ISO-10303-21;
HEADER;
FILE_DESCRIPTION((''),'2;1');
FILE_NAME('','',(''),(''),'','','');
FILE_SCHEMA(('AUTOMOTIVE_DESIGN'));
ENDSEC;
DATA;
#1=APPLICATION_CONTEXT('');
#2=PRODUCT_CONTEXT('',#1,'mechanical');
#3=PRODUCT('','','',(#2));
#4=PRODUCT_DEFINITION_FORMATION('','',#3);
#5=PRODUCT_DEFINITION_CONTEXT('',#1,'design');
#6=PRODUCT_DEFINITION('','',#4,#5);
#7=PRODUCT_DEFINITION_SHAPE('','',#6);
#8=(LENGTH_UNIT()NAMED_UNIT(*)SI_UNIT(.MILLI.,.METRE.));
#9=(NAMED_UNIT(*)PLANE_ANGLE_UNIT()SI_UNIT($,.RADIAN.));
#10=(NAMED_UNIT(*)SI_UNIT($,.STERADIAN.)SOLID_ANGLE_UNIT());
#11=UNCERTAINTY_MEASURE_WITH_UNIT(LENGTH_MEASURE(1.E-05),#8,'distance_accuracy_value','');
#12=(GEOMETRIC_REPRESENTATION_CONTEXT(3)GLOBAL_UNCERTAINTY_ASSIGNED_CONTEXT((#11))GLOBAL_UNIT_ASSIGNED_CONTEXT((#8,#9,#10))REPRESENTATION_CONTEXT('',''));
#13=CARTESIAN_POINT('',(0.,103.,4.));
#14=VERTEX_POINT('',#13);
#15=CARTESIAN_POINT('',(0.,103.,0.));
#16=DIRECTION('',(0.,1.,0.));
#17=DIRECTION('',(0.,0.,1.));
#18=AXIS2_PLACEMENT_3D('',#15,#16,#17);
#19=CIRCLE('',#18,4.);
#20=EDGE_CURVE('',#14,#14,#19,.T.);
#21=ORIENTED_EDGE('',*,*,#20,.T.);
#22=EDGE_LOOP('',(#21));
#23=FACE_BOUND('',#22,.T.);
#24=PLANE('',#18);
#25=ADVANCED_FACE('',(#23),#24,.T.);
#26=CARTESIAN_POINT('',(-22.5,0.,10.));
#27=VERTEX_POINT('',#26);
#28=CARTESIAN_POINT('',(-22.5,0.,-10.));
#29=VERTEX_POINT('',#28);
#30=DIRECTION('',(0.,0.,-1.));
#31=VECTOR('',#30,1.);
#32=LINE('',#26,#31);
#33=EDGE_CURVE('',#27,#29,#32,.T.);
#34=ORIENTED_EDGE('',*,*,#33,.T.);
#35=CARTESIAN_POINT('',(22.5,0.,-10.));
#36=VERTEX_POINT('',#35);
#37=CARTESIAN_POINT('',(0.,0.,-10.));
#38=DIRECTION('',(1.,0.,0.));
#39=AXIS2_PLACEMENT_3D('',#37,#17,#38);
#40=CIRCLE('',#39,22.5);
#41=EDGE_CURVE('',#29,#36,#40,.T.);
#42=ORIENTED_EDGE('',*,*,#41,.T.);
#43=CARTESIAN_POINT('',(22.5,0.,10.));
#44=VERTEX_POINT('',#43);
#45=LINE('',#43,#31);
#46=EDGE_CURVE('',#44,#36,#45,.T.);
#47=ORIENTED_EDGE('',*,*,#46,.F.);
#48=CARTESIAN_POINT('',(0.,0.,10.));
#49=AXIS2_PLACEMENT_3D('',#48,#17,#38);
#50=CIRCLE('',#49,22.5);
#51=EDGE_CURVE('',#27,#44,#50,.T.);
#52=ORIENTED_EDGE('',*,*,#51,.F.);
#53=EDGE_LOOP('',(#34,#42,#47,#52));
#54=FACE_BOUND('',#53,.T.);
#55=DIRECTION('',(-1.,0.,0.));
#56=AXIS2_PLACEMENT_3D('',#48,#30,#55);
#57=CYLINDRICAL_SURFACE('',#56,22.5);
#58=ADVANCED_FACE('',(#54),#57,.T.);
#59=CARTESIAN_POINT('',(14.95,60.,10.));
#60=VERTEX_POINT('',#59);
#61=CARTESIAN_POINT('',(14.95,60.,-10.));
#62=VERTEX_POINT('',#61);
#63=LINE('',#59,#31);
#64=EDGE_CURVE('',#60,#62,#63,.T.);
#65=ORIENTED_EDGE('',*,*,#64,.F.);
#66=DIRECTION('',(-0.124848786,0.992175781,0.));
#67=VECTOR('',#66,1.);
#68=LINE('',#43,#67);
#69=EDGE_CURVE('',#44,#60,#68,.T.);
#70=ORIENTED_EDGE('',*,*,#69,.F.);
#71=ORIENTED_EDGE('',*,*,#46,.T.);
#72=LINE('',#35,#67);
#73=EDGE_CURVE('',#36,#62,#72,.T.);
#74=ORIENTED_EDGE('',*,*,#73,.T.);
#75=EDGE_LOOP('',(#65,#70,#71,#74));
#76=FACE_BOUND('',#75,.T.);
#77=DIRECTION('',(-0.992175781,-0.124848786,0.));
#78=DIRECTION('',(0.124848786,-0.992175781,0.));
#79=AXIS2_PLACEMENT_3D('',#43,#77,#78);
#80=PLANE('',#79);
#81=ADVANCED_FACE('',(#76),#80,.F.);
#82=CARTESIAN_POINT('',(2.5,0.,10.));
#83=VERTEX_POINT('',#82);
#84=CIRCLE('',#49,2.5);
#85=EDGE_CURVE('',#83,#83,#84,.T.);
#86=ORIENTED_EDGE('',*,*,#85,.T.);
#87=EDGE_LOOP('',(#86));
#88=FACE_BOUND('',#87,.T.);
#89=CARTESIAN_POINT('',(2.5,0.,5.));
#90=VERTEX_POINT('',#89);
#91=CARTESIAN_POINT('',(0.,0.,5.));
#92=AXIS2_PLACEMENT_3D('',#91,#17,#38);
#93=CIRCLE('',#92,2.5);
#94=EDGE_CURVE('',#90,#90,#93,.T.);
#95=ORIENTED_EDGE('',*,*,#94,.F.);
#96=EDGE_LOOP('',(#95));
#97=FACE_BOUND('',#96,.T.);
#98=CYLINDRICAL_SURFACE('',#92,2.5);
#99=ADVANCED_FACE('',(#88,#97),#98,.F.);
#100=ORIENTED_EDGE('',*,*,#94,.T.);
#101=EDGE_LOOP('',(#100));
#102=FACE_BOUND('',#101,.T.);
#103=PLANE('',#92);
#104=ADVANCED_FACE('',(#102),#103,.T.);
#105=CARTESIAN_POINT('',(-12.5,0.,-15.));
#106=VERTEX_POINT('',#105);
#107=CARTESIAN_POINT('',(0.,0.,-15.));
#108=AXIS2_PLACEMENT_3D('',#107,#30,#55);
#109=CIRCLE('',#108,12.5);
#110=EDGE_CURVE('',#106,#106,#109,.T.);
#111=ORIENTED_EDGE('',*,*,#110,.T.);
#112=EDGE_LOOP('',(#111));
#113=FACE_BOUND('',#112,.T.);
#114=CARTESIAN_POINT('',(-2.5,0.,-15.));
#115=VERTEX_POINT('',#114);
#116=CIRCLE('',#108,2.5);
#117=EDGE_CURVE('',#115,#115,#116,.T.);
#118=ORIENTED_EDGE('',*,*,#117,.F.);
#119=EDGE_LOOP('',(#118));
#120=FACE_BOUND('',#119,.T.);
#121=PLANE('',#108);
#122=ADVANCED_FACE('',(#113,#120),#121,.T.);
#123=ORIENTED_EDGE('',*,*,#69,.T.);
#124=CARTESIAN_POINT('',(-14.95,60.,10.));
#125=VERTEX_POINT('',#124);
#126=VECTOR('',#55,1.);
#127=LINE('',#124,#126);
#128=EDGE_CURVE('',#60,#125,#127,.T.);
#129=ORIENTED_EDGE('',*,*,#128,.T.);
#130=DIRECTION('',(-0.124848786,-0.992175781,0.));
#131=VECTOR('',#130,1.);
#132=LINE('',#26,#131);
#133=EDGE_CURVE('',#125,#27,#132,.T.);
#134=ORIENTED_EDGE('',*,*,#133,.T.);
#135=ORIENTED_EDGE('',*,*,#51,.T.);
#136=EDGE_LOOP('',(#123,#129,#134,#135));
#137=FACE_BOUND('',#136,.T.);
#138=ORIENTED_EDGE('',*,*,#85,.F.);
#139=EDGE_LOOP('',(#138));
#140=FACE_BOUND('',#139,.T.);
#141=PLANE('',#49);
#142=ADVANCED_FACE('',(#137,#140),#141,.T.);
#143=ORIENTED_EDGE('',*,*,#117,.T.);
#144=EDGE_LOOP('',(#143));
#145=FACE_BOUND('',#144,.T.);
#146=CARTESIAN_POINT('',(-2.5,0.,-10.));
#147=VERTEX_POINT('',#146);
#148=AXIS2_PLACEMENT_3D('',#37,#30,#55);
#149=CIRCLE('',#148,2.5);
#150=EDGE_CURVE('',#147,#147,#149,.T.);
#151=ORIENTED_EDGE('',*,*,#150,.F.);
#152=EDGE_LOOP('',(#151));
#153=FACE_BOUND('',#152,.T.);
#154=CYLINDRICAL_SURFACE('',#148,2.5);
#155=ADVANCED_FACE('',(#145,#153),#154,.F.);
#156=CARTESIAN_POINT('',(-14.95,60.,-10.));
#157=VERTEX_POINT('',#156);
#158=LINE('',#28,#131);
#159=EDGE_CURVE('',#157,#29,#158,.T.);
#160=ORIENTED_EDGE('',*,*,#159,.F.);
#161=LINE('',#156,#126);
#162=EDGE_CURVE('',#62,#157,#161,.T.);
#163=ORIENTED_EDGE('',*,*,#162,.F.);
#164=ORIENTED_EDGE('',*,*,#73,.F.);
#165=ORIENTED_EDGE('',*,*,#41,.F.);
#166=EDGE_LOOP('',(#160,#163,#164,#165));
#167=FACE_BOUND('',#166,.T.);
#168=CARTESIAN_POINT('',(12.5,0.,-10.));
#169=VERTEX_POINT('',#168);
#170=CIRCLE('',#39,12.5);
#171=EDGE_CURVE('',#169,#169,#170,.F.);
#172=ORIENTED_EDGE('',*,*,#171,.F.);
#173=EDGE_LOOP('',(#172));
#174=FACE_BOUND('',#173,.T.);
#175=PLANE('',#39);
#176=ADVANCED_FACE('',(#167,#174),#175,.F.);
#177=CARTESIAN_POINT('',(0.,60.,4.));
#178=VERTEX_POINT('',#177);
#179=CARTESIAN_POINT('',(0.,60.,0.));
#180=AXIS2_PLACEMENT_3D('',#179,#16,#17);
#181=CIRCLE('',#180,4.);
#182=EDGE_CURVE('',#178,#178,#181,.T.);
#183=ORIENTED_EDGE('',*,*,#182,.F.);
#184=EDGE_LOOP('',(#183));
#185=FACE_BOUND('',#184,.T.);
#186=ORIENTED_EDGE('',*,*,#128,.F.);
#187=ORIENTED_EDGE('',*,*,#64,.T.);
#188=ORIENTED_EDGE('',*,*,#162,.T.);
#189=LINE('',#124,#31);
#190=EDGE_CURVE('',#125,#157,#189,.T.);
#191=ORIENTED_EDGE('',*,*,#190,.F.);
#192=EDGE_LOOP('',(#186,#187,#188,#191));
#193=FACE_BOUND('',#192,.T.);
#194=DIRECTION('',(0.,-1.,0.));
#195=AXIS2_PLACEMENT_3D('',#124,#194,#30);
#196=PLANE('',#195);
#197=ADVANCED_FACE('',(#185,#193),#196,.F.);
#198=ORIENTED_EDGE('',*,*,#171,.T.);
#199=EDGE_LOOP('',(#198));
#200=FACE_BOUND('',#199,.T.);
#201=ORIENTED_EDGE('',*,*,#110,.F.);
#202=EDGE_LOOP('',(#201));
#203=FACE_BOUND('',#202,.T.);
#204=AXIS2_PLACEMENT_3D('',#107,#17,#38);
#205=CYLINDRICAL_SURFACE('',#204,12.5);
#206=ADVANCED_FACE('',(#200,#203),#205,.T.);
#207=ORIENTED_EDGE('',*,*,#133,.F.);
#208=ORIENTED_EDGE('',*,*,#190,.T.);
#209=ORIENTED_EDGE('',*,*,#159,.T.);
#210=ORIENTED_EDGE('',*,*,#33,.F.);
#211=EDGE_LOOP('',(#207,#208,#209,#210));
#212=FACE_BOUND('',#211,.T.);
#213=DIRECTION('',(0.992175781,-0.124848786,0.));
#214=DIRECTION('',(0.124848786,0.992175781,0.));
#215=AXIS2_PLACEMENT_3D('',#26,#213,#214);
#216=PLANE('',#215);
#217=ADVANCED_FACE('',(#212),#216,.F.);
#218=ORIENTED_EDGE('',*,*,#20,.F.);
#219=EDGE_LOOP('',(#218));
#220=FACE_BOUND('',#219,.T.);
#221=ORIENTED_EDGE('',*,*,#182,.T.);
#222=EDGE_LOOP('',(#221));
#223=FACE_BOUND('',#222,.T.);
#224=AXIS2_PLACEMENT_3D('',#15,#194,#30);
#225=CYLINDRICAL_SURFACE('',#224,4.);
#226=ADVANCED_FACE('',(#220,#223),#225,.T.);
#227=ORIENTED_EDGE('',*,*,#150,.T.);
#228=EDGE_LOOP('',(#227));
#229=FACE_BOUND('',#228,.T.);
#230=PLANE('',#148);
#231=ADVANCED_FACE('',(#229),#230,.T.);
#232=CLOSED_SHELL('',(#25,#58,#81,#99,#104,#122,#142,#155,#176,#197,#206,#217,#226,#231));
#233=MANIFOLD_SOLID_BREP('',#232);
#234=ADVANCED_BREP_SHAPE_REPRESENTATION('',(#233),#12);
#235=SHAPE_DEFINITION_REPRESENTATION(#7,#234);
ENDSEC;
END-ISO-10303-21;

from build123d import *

# Parameters (mm, degrees)
BOSS_EXTRUDE1_DEPTH = 10
SKETCH3_R           = 4
BOSS_EXTRUDE2_DEPTH = 43
SKETCH4_R           = 2.5
CUT_EXTRUDE1_DEPTH  = 5
SKETCH6_R           = 12.5
BOSS_EXTRUDE3_DEPTH = 5
CUT_EXTRUDE2_START  = -5
SKETCH7_R           = 2.5
CUT_EXTRUDE2_DEPTH  = 5


with BuildPart() as part:
    # Sketch1 → Boss-Extrude1 (new, symmetric)
    with BuildSketch(Plane.XY):
        with BuildLine():
            Line((-22.5, 0), (-14.95, 60))
            Line((-14.95, 60), (14.95, 60))
            Line((14.95, 60), (22.5, 0))
            ThreePointArc((22.5, 0), (0, -22.5), (-22.5, 0))
        make_face()
    extrude(amount=BOSS_EXTRUDE1_DEPTH, both=True)

    # Sketch3 → Boss-Extrude2 (add)
    with BuildSketch(Plane(origin=(0, 60, 0), x_dir=(1, 0, 0), z_dir=(0, 1, 0))):
        with Locations(Location((0, 0, 0), (0, 0, 270))):
            Circle(SKETCH3_R)
    extrude(amount=BOSS_EXTRUDE2_DEPTH)

    # Sketch4 → Cut-Extrude1 (cut)
    with BuildSketch(Plane.XY.offset(10)):
        Circle(SKETCH4_R)
    extrude(amount=-CUT_EXTRUDE1_DEPTH, mode=Mode.SUBTRACT)

    # Sketch6 → Boss-Extrude3 (add)
    with BuildSketch(Plane(origin=(0, 0, -10), x_dir=(-1, 0, 0), z_dir=(0, 0, -1))):
        with Locations(Location((0, 0, 0), (0, 0, 180))):
            Circle(SKETCH6_R)
    extrude(amount=BOSS_EXTRUDE3_DEPTH)

    # Sketch7 → Cut-Extrude2 (cut)
    with BuildSketch(Plane(origin=(0, 0, -15), x_dir=(-1, 0, 0), z_dir=(0, 0, -1)).offset(CUT_EXTRUDE2_START)):
        with Locations(Location((0, 0, 0), (0, 0, 180))):
            Circle(SKETCH7_R)
    extrude(amount=CUT_EXTRUDE2_DEPTH, mode=Mode.SUBTRACT)


solid = part.part
